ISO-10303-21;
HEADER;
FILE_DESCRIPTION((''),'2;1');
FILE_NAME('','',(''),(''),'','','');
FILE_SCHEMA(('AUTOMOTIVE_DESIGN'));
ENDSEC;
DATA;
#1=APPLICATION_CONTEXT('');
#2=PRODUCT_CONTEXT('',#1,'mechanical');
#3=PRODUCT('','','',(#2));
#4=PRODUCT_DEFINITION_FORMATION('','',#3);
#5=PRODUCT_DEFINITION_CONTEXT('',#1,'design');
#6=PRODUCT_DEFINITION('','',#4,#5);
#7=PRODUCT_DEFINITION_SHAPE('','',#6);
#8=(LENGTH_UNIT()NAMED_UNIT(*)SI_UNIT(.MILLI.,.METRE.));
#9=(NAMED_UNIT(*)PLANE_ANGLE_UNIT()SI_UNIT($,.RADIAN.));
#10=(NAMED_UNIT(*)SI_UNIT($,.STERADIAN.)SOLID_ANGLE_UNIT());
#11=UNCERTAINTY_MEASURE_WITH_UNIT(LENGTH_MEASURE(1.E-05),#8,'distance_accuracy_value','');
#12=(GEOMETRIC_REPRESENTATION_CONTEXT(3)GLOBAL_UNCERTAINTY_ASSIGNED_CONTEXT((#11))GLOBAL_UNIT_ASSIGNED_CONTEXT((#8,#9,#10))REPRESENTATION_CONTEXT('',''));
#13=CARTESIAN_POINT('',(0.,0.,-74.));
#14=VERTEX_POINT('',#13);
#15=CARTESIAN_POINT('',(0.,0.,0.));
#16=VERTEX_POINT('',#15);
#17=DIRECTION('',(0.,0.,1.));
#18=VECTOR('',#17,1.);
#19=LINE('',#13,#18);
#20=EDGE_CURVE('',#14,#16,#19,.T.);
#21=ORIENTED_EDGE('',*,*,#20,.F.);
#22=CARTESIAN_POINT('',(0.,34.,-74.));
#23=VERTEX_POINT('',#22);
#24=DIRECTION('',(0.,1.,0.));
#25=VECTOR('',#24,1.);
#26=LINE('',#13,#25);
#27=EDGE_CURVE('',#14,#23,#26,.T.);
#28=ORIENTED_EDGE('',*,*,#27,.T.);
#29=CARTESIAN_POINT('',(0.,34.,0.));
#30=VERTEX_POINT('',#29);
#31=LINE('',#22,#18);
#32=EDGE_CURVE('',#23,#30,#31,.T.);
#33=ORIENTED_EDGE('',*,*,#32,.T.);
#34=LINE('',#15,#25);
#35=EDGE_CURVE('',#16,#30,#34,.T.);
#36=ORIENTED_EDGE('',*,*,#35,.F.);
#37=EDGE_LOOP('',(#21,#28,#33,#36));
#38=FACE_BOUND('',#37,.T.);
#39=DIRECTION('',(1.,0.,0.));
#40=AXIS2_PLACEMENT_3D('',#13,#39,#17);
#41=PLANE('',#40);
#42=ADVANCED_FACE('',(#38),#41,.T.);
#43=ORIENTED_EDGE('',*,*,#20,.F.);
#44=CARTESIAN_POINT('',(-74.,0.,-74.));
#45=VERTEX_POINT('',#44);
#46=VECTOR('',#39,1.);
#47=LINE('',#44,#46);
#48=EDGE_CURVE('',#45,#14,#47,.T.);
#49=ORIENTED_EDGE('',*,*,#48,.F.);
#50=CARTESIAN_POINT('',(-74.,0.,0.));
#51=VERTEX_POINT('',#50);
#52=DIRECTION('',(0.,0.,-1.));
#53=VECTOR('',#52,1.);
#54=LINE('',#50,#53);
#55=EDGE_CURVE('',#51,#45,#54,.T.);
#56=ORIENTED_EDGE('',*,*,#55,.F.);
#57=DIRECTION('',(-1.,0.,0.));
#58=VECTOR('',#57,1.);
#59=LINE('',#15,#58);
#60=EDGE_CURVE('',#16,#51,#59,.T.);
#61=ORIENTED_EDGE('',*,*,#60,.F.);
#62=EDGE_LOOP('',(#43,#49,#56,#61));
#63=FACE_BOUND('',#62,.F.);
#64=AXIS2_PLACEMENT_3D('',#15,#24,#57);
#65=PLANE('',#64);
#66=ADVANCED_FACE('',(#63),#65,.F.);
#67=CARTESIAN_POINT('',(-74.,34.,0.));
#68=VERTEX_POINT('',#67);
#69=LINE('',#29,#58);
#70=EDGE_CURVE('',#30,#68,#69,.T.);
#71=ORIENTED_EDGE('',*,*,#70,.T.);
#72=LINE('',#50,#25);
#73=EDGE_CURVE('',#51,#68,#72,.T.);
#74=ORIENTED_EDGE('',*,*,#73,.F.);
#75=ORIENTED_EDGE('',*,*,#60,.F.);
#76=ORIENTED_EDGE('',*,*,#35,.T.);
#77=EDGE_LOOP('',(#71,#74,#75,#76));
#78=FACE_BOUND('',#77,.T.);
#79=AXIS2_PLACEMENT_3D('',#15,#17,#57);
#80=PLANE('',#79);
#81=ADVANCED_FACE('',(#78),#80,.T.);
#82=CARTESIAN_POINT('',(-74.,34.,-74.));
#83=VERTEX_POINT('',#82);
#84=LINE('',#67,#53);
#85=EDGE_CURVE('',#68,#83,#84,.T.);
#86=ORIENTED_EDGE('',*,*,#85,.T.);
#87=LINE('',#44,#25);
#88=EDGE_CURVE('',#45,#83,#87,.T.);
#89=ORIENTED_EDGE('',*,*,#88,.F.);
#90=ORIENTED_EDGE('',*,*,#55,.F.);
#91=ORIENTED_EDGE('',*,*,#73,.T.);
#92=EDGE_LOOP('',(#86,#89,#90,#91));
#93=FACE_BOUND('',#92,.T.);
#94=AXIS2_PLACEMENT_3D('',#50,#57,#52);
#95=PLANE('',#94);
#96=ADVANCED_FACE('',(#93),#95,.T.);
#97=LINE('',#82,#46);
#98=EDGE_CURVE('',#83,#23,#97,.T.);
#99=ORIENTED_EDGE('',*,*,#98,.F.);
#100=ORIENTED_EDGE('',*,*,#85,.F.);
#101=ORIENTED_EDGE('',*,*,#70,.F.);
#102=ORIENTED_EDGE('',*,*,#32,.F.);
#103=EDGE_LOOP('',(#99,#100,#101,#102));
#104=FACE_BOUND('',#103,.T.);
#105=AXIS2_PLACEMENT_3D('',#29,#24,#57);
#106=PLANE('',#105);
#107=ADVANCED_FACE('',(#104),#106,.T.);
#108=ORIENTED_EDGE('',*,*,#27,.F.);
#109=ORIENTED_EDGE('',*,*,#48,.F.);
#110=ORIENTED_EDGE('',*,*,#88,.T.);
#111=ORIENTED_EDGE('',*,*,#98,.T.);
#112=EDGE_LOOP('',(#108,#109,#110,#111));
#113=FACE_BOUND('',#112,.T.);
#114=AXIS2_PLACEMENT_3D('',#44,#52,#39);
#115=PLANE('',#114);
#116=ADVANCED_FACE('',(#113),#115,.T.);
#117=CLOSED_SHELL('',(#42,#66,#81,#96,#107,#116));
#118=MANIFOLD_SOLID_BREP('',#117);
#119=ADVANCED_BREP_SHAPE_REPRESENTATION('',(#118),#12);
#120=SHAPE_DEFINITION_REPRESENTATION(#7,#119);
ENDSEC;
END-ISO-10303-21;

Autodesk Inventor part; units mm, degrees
ref_plane "YZ Plane" through (0, 0, 0) normal (1, 0, 0) x (0, 1, 0)
ref_plane "XZ Plane" through (0, 0, 0) normal (0, 1, 0) x (-1, 0, 0)
ref_plane "XY Plane" through (0, 0, 0) normal (0, 0, 1) x (1, 0, 0)
sketch "Skizze1" plane through (0, 0, 0) normal (0, 1, 0) x (-1, 0, 0)
  line L0 (0, 0) -> (74, 0)
  line L1 (74, 0) -> (74, -74)
  line L2 (74, -74) -> (0, -74)
  line L3 (0, -74) -> (0, 0)
  dimension "d0" = 74
  dimension "d1" = 74
extrude "Extrusion1" add sketch "Skizze1" along normal blind 34
properties part number "DCDC_Wandler"
